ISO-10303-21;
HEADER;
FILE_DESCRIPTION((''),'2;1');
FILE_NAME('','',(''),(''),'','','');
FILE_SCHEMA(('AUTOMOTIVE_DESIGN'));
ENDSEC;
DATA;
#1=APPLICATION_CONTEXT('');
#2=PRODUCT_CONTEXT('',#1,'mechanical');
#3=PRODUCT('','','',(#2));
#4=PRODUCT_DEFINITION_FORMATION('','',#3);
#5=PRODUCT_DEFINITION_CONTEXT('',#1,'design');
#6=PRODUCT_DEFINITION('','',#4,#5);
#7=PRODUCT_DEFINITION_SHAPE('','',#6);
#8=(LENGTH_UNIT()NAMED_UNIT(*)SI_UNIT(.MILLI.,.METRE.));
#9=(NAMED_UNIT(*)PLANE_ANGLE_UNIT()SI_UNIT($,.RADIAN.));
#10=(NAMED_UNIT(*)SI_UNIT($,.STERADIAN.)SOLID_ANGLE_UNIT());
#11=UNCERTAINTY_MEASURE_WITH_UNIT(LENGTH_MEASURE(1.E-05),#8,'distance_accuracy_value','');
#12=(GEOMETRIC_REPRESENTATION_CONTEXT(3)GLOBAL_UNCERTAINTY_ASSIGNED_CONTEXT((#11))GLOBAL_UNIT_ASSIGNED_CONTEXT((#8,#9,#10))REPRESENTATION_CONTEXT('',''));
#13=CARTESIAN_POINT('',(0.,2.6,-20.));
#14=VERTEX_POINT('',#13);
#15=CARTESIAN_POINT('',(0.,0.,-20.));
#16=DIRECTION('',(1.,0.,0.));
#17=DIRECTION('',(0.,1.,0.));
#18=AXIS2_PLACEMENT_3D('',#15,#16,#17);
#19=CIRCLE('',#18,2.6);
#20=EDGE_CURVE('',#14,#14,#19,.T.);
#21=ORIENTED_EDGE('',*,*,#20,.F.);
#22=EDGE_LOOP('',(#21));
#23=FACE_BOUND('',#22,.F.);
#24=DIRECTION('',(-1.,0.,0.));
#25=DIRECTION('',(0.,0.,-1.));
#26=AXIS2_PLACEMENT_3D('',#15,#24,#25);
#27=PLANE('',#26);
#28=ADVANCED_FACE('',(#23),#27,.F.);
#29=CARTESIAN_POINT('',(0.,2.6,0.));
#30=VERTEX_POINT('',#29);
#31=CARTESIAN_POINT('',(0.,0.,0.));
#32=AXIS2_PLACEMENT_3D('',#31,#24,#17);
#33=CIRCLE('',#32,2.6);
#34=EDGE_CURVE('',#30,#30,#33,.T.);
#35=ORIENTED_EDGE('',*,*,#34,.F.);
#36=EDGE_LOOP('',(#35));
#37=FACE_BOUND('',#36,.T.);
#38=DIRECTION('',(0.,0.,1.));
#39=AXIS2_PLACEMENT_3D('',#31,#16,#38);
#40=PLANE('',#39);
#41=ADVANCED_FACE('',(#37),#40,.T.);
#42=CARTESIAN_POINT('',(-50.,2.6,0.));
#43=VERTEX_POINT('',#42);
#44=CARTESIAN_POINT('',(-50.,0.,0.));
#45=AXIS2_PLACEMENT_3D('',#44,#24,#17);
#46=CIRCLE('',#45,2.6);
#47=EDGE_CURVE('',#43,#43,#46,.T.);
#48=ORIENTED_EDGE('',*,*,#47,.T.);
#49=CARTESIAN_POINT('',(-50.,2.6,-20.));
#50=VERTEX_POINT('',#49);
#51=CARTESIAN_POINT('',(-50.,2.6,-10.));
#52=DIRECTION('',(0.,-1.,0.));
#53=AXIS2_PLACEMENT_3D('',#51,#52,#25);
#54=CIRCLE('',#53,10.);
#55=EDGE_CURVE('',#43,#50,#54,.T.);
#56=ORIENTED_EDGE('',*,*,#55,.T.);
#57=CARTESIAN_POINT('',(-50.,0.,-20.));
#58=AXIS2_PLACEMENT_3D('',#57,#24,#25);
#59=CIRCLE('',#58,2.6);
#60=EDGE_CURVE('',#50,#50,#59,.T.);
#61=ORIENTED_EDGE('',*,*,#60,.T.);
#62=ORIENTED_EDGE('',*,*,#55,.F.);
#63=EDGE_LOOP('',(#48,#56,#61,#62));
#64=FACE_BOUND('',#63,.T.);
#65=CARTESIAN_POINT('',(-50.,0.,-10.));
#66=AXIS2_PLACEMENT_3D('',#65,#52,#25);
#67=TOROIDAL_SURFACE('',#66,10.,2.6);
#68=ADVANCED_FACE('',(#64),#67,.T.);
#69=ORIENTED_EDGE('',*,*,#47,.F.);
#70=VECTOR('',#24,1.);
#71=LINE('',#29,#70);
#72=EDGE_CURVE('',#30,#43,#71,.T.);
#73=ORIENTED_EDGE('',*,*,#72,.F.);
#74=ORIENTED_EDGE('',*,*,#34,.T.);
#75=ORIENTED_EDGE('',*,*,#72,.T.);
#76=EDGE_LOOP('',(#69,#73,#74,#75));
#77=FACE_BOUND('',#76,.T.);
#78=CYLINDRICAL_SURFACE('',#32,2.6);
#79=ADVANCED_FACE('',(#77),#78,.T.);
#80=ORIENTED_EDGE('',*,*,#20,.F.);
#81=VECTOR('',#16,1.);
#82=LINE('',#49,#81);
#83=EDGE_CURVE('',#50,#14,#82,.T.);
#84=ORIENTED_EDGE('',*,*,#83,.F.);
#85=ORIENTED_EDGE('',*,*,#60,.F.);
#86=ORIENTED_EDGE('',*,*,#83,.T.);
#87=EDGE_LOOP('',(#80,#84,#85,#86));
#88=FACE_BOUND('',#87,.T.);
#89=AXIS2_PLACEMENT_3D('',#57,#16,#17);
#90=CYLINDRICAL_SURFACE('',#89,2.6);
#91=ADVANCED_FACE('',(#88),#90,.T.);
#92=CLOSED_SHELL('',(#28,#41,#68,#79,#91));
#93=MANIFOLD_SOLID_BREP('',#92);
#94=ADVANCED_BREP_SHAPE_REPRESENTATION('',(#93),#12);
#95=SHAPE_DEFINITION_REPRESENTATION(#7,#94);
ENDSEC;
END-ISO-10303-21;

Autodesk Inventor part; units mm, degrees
ref_plane "YZ Plane" through (0, 0, 0) normal (1, 0, 0) x (0, 1, 0)
ref_plane "XZ Plane" through (0, 0, 0) normal (0, 1, 0) x (-1, 0, 0)
ref_plane "XY Plane" through (0, 0, 0) normal (0, 0, 1) x (1, 0, 0)
sketch "Sketch1" plane through (0, 0, 0) normal (1, 0, 0) x (0, 1, 0)
  circle A0 centre (0, 0) radius 2.6
  dimension "d0" = 5.2
sketch "Sketch2" plane through (0, 0, 0) normal (0, 1, 0) x (-1, 0, 0)
  line L0 (0, 0) -> (50, 0)
  arc A0 (50, -20) -> (50, 0) centre (50, -10) ccw
  line L1 (50, 0) -> (50, -10) construction
  line L2 (50, -20) -> (50, -10) construction
  line L3 (50, -20) -> (0, -20)
  dimension "d1" = 50
  dimension "d2" = 10
  dimension "d3" = 180
sweep "Sweep1" add profiles "Sketch1" path "Sketch2"
properties part number "gripper_bolt"
